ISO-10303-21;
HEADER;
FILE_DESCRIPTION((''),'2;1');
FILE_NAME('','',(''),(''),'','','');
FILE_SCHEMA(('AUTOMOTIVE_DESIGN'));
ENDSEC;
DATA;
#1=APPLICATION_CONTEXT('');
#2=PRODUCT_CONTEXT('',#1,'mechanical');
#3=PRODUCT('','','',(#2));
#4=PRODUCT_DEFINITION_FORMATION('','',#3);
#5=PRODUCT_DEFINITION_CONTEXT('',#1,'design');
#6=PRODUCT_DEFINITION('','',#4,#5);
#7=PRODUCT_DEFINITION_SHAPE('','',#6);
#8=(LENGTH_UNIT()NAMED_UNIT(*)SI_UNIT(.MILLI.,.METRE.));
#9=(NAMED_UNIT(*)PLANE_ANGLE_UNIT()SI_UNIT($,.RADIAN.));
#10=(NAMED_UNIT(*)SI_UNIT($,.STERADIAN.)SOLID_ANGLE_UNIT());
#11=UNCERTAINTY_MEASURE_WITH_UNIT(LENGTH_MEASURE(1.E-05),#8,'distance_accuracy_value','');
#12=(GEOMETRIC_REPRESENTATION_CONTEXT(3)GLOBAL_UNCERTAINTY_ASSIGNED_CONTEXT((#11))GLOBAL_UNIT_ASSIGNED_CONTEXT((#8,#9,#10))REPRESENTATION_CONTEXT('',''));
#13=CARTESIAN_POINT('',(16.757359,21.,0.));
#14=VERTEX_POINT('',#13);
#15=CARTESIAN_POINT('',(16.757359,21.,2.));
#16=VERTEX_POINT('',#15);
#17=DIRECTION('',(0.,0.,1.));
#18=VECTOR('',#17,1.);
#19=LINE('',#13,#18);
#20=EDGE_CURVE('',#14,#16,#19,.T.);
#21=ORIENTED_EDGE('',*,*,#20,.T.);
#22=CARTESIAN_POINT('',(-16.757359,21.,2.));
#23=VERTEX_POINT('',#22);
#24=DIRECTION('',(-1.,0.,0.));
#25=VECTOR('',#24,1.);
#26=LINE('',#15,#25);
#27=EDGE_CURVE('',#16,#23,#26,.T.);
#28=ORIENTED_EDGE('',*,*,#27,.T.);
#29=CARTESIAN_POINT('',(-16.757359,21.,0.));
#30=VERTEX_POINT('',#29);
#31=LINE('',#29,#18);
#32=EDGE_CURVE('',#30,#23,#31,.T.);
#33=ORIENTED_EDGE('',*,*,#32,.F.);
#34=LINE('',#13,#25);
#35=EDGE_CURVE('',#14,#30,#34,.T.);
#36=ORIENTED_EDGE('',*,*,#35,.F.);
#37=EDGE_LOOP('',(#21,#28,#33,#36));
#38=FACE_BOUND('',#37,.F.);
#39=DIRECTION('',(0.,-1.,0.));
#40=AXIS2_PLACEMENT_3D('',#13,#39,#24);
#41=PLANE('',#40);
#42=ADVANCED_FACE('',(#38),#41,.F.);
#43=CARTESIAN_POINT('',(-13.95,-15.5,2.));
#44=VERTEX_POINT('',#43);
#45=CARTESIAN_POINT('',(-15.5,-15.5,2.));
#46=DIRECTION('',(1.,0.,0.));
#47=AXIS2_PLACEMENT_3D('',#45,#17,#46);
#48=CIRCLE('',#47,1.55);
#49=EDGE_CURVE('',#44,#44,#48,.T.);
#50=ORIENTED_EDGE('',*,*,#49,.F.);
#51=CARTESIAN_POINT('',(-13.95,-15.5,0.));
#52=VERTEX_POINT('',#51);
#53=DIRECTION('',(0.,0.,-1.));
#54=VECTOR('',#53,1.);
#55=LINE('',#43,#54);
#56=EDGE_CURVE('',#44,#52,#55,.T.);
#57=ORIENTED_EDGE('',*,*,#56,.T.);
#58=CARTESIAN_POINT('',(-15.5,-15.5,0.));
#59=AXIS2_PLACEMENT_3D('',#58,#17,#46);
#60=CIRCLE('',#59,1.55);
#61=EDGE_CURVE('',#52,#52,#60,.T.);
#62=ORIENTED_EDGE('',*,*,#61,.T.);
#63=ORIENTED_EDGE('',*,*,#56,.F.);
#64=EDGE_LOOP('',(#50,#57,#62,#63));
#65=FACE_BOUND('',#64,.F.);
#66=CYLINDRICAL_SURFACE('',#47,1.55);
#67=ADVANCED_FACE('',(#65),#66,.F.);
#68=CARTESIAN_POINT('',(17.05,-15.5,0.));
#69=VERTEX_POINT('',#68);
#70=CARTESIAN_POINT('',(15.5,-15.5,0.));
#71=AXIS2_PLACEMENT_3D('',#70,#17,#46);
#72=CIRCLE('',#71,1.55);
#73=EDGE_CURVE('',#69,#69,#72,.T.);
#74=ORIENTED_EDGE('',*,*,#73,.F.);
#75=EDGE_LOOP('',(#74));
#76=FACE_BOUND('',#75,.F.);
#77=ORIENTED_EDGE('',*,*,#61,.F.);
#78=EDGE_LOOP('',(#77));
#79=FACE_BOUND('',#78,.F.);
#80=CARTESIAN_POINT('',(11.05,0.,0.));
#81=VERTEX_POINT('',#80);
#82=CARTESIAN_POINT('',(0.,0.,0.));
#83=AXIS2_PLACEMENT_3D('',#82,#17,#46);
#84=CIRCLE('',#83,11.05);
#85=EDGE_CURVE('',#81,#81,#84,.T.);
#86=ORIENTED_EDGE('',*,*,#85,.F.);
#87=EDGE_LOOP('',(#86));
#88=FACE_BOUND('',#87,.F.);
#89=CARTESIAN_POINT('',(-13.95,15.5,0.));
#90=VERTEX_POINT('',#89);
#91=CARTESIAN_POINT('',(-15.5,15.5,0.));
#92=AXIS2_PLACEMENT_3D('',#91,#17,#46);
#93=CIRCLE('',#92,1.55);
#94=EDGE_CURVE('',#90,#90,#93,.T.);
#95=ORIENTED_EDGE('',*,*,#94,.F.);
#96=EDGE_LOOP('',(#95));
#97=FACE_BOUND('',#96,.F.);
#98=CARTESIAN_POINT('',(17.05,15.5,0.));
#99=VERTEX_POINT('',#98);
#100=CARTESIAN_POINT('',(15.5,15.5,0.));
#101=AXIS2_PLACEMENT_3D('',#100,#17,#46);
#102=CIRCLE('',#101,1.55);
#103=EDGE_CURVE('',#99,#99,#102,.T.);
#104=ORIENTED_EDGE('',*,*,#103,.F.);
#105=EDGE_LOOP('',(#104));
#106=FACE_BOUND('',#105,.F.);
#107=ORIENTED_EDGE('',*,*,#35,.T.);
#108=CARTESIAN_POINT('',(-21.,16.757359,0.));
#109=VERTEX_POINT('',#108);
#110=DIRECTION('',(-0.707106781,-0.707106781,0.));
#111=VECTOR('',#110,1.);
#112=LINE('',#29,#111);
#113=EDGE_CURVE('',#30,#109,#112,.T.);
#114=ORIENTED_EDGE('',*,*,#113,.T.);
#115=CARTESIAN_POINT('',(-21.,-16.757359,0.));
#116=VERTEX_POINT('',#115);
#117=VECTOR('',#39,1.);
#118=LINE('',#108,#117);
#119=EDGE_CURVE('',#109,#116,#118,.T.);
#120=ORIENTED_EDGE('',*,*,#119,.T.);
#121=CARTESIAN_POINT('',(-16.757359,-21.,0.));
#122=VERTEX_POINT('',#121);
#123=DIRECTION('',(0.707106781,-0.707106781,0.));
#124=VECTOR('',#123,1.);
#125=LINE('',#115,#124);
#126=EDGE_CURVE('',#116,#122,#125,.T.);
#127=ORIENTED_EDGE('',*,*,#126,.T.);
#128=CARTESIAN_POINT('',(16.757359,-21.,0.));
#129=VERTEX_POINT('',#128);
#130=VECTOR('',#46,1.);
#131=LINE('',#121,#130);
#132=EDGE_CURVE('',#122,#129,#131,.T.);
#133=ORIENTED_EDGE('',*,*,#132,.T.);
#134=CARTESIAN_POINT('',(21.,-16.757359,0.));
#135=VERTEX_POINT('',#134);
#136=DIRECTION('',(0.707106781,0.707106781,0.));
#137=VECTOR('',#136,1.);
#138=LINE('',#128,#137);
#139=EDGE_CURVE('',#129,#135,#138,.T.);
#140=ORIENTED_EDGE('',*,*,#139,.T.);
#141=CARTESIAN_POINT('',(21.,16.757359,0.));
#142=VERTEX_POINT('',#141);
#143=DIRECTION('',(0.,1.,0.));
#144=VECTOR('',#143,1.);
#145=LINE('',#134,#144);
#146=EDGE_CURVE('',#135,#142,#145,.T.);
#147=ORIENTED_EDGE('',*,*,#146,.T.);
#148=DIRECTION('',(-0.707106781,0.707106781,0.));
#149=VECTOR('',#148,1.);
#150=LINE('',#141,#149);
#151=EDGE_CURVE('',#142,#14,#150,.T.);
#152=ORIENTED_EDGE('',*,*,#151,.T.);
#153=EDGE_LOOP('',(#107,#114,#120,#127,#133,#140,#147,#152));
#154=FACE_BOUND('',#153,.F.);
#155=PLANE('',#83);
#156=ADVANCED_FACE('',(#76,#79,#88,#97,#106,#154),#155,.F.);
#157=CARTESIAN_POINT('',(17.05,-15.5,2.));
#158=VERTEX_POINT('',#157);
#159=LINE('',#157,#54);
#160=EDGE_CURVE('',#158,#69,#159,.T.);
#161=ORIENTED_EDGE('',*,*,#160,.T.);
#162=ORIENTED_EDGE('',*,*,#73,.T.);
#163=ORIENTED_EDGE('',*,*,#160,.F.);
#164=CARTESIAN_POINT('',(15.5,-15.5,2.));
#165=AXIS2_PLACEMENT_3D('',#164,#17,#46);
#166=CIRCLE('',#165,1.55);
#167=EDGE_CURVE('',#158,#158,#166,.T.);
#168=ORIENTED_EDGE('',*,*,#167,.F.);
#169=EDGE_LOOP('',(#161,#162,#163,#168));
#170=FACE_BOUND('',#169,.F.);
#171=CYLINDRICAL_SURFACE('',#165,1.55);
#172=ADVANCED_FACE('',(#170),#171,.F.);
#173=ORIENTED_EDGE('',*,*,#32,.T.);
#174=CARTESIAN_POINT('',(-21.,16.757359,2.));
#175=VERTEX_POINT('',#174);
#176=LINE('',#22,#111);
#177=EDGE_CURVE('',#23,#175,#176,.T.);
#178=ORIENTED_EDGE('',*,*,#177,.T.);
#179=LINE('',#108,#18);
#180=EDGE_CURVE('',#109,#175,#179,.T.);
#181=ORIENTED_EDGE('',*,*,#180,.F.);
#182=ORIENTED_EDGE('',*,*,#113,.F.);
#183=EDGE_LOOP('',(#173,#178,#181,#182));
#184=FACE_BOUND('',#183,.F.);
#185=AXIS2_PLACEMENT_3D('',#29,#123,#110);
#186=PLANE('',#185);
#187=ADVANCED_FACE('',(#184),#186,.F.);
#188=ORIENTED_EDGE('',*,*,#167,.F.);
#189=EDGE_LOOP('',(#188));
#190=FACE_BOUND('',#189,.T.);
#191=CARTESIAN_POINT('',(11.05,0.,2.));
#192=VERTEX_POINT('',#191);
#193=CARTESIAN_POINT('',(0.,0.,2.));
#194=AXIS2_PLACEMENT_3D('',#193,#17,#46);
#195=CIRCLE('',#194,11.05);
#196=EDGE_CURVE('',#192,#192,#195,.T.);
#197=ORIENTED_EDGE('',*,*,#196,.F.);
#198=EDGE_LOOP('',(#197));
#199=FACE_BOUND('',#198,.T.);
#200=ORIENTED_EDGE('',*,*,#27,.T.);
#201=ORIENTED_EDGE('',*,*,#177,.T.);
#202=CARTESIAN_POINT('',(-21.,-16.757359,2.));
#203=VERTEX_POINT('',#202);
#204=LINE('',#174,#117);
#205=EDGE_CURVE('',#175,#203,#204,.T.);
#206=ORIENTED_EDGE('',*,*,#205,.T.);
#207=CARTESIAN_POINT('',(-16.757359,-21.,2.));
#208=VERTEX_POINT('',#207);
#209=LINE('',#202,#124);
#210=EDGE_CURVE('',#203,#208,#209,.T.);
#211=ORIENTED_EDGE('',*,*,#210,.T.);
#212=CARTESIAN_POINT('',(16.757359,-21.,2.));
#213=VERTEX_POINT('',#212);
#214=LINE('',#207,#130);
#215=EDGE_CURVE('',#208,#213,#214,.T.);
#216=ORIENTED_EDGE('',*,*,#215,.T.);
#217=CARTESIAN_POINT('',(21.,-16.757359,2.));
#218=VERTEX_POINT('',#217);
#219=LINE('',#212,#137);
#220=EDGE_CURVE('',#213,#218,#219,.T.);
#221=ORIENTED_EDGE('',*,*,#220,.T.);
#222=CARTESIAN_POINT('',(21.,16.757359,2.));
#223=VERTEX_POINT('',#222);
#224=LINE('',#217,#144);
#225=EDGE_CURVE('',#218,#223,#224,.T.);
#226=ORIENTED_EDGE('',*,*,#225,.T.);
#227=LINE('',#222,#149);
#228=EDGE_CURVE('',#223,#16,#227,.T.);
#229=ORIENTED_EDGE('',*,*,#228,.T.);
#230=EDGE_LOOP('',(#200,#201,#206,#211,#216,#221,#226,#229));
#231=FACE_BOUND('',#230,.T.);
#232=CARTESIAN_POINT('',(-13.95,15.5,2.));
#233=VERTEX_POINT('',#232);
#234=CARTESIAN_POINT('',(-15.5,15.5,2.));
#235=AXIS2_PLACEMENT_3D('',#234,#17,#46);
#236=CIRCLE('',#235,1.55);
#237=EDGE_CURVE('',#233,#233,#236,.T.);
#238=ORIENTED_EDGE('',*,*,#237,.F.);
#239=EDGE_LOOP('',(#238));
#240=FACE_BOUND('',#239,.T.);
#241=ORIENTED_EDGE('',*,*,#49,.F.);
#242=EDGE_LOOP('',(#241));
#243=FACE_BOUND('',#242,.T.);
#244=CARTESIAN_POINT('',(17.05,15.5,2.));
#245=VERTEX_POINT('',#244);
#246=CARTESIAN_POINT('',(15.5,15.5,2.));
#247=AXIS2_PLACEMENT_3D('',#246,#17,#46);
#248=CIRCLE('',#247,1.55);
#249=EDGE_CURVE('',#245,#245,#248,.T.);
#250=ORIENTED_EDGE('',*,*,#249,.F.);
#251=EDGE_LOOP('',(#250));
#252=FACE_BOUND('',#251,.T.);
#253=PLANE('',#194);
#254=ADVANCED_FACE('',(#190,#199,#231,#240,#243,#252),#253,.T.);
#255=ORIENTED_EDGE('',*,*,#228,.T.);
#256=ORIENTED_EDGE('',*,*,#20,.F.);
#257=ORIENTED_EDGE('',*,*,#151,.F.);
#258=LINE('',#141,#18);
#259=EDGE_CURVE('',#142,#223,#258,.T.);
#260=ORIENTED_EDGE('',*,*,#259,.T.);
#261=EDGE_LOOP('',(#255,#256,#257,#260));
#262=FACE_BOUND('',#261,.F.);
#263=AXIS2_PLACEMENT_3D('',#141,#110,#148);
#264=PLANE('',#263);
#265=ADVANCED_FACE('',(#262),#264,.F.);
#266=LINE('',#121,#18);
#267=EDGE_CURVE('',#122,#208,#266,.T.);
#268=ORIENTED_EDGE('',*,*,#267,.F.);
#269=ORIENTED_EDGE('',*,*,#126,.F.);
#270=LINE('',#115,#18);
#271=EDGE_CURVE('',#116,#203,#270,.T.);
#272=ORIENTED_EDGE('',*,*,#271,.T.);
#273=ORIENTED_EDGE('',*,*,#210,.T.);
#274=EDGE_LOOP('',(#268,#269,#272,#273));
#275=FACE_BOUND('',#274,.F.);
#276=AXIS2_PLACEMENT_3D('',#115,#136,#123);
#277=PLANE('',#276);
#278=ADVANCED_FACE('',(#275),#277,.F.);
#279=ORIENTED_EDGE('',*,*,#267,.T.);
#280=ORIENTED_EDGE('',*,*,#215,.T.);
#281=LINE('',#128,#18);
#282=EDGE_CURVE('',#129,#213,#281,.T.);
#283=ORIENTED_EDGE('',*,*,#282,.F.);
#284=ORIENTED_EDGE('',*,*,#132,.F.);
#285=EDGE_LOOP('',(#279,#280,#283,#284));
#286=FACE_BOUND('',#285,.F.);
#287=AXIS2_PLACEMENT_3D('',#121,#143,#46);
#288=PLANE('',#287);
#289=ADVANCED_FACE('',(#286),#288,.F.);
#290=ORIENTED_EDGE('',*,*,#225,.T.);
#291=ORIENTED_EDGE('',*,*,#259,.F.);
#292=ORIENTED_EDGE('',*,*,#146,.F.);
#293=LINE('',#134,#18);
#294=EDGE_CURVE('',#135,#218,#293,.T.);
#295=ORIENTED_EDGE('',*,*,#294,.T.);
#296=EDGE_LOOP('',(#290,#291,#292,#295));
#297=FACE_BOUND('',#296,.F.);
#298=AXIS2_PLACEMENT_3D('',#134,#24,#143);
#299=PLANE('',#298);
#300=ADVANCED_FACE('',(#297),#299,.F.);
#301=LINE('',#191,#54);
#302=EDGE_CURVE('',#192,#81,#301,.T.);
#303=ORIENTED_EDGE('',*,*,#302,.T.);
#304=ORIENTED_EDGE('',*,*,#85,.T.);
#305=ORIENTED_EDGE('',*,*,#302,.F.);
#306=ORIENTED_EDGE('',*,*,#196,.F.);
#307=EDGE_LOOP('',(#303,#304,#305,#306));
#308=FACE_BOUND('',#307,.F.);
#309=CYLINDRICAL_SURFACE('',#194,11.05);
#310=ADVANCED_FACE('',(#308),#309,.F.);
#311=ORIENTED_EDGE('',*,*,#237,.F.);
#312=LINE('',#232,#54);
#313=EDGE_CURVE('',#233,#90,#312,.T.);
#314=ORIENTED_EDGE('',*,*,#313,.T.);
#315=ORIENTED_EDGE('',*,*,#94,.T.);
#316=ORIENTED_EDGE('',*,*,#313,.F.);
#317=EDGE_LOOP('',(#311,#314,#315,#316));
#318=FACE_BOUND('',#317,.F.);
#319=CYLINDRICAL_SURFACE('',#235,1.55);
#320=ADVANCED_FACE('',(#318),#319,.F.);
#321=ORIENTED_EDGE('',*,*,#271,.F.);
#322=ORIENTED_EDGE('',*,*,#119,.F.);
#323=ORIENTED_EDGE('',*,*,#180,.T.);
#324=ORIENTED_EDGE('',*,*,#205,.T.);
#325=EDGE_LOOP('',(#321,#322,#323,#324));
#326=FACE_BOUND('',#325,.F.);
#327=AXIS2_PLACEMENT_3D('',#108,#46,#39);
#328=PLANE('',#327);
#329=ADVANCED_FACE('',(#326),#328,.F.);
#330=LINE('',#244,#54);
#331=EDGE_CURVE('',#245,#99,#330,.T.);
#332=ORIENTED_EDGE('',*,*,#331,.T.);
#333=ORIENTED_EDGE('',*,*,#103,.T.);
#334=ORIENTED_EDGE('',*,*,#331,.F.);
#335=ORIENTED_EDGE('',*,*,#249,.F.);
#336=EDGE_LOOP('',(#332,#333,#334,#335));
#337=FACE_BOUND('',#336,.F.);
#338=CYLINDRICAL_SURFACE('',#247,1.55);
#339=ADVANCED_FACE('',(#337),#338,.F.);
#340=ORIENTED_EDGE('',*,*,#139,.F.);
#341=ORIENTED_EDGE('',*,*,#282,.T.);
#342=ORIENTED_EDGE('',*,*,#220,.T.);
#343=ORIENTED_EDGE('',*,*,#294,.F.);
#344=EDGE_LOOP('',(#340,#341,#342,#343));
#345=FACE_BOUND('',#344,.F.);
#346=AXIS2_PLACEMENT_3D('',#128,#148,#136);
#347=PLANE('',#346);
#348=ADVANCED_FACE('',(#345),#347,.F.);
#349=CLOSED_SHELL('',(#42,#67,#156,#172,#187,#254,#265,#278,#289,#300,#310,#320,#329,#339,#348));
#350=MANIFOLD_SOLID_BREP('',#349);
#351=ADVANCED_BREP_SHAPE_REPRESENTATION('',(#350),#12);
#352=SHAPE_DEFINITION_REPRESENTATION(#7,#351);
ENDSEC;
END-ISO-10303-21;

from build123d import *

# Parameters (mm, degrees)
PAD_DEPTH     = 2
SKETCH001_R   = 1.55
SKETCH001_R_2 = 11.05
POCKET_DEPTH  = 5


with BuildPart() as part:
    # Sketch → Pad (new body)
    with BuildSketch(Plane.XY):
        Polygon((21, -16.757359), (21, 16.757359), (16.757359, 21), (-16.757359, 21), (-21, 16.757359), (-21, -16.757359), (-16.757359, -21), (16.757359, -21), align=None)
    extrude(amount=PAD_DEPTH)

    # Sketch001 (on Face10 of Pad) → Pocket (cut)
    with BuildSketch(Plane.XY.offset(2)):
        with Locations((-15.5, 15.5)):
            Circle(SKETCH001_R)
        with Locations((15.5, 15.5)):
            Circle(SKETCH001_R)
        with Locations((15.5, -15.5)):
            Circle(SKETCH001_R)
        with Locations((-15.5, -15.5)):
            Circle(SKETCH001_R)
        Circle(SKETCH001_R_2)
    extrude(amount=-POCKET_DEPTH, mode=Mode.SUBTRACT)


solid = part.part
